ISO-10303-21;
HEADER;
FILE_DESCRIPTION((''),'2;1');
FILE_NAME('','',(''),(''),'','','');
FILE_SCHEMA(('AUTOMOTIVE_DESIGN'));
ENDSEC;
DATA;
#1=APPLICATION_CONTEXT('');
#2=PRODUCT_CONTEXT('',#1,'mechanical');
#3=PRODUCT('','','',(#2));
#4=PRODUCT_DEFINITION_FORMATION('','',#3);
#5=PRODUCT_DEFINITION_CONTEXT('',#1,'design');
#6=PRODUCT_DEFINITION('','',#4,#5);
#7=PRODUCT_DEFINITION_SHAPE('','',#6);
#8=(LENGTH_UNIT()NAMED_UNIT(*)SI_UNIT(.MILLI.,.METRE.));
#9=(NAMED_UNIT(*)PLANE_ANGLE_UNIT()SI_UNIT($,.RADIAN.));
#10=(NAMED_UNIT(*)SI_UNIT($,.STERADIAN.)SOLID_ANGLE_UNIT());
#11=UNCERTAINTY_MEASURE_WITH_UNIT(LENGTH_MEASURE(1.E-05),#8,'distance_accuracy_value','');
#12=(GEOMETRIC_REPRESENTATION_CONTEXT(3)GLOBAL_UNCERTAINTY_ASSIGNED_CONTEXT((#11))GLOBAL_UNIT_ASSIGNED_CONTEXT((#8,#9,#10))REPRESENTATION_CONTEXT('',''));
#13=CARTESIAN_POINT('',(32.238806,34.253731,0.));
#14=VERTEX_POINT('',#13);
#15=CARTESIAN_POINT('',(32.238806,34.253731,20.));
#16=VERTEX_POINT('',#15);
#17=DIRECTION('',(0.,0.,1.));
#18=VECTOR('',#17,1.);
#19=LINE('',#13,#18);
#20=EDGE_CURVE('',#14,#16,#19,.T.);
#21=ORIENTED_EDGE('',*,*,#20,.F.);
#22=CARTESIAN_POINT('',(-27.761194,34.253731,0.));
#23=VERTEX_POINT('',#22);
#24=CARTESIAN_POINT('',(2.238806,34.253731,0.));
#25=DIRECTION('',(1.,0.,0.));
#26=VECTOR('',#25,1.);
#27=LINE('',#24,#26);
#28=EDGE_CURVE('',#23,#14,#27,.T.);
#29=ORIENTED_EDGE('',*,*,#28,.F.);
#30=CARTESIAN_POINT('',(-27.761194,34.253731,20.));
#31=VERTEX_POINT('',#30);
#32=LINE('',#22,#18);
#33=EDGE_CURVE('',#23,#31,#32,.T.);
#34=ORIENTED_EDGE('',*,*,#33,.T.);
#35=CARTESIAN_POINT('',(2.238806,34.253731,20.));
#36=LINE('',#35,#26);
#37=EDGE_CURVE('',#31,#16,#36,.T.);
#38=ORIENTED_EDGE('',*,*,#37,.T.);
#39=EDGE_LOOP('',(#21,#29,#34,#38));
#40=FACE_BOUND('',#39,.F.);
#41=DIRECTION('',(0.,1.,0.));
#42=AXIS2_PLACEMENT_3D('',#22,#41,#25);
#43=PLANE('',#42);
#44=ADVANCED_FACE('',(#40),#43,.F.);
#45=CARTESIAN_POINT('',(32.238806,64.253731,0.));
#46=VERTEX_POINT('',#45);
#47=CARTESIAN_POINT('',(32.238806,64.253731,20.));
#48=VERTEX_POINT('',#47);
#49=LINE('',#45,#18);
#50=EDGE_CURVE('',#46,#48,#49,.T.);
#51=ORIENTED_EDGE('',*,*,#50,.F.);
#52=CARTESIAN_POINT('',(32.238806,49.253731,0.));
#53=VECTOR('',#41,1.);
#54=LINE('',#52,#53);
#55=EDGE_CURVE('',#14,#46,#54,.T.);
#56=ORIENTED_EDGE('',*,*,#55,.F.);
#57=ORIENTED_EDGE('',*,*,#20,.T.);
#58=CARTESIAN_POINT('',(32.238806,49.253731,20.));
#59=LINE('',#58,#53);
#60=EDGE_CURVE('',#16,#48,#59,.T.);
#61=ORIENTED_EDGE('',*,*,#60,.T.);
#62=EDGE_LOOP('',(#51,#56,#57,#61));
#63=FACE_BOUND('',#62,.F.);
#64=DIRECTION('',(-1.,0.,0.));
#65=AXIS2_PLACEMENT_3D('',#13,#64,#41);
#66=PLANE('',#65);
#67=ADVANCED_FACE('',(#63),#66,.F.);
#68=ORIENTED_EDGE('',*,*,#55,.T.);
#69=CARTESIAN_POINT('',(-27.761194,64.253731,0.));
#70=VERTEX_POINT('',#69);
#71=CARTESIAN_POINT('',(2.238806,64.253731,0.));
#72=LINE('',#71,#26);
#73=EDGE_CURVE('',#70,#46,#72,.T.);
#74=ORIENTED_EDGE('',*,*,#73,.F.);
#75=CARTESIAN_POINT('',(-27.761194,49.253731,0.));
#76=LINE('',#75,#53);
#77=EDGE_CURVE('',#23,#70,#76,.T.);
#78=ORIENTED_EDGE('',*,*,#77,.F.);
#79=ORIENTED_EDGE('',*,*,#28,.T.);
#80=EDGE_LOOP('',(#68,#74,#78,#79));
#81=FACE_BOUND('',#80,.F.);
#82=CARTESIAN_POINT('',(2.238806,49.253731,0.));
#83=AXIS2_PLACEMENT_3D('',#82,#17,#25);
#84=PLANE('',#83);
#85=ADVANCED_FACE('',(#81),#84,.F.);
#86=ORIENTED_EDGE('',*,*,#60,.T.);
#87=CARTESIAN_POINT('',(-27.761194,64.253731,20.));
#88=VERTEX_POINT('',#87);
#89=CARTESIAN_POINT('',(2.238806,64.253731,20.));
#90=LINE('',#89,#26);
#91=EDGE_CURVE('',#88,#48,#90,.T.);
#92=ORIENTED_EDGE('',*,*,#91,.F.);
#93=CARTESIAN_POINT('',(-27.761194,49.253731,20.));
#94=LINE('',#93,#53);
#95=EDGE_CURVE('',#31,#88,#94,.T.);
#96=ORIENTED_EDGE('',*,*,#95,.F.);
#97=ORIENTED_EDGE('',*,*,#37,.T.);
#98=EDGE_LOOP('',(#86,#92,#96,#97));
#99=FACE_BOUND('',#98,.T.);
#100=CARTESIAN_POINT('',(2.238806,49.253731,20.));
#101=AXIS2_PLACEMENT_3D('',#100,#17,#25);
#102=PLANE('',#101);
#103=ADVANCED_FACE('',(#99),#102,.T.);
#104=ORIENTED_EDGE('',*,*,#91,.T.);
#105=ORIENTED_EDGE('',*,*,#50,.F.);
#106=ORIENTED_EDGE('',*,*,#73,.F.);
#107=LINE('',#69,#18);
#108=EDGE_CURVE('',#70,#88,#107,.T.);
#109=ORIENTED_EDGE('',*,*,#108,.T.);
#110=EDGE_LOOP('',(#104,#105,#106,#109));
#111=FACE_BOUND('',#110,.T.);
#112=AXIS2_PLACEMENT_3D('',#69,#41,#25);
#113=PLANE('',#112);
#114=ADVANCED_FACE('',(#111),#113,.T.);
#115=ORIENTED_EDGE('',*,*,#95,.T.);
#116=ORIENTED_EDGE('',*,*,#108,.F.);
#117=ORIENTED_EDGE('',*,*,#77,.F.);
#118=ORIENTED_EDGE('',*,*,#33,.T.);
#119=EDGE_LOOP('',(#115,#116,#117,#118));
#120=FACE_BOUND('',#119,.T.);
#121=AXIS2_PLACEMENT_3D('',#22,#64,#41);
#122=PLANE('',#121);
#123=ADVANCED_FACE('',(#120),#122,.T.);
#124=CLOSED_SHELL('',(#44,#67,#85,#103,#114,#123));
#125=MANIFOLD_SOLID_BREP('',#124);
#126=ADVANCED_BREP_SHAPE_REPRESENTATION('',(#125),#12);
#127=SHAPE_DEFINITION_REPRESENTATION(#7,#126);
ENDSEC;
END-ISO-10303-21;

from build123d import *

# Parameters (mm, degrees)
SZKIC2_W                    = 60
SZKIC2_H                    = 30
DODANIE_WYCI_GNI_CIE1_DEPTH = 20


with BuildPart() as part:
    # Szkic2 → Dodanie-wyciągnięcie1 (new body)
    with BuildSketch(Plane.XY):
        with Locations((2.23880597, 49.253731343)):
            Rectangle(SZKIC2_W, SZKIC2_H)
    extrude(amount=DODANIE_WYCI_GNI_CIE1_DEPTH)


solid = part.part
